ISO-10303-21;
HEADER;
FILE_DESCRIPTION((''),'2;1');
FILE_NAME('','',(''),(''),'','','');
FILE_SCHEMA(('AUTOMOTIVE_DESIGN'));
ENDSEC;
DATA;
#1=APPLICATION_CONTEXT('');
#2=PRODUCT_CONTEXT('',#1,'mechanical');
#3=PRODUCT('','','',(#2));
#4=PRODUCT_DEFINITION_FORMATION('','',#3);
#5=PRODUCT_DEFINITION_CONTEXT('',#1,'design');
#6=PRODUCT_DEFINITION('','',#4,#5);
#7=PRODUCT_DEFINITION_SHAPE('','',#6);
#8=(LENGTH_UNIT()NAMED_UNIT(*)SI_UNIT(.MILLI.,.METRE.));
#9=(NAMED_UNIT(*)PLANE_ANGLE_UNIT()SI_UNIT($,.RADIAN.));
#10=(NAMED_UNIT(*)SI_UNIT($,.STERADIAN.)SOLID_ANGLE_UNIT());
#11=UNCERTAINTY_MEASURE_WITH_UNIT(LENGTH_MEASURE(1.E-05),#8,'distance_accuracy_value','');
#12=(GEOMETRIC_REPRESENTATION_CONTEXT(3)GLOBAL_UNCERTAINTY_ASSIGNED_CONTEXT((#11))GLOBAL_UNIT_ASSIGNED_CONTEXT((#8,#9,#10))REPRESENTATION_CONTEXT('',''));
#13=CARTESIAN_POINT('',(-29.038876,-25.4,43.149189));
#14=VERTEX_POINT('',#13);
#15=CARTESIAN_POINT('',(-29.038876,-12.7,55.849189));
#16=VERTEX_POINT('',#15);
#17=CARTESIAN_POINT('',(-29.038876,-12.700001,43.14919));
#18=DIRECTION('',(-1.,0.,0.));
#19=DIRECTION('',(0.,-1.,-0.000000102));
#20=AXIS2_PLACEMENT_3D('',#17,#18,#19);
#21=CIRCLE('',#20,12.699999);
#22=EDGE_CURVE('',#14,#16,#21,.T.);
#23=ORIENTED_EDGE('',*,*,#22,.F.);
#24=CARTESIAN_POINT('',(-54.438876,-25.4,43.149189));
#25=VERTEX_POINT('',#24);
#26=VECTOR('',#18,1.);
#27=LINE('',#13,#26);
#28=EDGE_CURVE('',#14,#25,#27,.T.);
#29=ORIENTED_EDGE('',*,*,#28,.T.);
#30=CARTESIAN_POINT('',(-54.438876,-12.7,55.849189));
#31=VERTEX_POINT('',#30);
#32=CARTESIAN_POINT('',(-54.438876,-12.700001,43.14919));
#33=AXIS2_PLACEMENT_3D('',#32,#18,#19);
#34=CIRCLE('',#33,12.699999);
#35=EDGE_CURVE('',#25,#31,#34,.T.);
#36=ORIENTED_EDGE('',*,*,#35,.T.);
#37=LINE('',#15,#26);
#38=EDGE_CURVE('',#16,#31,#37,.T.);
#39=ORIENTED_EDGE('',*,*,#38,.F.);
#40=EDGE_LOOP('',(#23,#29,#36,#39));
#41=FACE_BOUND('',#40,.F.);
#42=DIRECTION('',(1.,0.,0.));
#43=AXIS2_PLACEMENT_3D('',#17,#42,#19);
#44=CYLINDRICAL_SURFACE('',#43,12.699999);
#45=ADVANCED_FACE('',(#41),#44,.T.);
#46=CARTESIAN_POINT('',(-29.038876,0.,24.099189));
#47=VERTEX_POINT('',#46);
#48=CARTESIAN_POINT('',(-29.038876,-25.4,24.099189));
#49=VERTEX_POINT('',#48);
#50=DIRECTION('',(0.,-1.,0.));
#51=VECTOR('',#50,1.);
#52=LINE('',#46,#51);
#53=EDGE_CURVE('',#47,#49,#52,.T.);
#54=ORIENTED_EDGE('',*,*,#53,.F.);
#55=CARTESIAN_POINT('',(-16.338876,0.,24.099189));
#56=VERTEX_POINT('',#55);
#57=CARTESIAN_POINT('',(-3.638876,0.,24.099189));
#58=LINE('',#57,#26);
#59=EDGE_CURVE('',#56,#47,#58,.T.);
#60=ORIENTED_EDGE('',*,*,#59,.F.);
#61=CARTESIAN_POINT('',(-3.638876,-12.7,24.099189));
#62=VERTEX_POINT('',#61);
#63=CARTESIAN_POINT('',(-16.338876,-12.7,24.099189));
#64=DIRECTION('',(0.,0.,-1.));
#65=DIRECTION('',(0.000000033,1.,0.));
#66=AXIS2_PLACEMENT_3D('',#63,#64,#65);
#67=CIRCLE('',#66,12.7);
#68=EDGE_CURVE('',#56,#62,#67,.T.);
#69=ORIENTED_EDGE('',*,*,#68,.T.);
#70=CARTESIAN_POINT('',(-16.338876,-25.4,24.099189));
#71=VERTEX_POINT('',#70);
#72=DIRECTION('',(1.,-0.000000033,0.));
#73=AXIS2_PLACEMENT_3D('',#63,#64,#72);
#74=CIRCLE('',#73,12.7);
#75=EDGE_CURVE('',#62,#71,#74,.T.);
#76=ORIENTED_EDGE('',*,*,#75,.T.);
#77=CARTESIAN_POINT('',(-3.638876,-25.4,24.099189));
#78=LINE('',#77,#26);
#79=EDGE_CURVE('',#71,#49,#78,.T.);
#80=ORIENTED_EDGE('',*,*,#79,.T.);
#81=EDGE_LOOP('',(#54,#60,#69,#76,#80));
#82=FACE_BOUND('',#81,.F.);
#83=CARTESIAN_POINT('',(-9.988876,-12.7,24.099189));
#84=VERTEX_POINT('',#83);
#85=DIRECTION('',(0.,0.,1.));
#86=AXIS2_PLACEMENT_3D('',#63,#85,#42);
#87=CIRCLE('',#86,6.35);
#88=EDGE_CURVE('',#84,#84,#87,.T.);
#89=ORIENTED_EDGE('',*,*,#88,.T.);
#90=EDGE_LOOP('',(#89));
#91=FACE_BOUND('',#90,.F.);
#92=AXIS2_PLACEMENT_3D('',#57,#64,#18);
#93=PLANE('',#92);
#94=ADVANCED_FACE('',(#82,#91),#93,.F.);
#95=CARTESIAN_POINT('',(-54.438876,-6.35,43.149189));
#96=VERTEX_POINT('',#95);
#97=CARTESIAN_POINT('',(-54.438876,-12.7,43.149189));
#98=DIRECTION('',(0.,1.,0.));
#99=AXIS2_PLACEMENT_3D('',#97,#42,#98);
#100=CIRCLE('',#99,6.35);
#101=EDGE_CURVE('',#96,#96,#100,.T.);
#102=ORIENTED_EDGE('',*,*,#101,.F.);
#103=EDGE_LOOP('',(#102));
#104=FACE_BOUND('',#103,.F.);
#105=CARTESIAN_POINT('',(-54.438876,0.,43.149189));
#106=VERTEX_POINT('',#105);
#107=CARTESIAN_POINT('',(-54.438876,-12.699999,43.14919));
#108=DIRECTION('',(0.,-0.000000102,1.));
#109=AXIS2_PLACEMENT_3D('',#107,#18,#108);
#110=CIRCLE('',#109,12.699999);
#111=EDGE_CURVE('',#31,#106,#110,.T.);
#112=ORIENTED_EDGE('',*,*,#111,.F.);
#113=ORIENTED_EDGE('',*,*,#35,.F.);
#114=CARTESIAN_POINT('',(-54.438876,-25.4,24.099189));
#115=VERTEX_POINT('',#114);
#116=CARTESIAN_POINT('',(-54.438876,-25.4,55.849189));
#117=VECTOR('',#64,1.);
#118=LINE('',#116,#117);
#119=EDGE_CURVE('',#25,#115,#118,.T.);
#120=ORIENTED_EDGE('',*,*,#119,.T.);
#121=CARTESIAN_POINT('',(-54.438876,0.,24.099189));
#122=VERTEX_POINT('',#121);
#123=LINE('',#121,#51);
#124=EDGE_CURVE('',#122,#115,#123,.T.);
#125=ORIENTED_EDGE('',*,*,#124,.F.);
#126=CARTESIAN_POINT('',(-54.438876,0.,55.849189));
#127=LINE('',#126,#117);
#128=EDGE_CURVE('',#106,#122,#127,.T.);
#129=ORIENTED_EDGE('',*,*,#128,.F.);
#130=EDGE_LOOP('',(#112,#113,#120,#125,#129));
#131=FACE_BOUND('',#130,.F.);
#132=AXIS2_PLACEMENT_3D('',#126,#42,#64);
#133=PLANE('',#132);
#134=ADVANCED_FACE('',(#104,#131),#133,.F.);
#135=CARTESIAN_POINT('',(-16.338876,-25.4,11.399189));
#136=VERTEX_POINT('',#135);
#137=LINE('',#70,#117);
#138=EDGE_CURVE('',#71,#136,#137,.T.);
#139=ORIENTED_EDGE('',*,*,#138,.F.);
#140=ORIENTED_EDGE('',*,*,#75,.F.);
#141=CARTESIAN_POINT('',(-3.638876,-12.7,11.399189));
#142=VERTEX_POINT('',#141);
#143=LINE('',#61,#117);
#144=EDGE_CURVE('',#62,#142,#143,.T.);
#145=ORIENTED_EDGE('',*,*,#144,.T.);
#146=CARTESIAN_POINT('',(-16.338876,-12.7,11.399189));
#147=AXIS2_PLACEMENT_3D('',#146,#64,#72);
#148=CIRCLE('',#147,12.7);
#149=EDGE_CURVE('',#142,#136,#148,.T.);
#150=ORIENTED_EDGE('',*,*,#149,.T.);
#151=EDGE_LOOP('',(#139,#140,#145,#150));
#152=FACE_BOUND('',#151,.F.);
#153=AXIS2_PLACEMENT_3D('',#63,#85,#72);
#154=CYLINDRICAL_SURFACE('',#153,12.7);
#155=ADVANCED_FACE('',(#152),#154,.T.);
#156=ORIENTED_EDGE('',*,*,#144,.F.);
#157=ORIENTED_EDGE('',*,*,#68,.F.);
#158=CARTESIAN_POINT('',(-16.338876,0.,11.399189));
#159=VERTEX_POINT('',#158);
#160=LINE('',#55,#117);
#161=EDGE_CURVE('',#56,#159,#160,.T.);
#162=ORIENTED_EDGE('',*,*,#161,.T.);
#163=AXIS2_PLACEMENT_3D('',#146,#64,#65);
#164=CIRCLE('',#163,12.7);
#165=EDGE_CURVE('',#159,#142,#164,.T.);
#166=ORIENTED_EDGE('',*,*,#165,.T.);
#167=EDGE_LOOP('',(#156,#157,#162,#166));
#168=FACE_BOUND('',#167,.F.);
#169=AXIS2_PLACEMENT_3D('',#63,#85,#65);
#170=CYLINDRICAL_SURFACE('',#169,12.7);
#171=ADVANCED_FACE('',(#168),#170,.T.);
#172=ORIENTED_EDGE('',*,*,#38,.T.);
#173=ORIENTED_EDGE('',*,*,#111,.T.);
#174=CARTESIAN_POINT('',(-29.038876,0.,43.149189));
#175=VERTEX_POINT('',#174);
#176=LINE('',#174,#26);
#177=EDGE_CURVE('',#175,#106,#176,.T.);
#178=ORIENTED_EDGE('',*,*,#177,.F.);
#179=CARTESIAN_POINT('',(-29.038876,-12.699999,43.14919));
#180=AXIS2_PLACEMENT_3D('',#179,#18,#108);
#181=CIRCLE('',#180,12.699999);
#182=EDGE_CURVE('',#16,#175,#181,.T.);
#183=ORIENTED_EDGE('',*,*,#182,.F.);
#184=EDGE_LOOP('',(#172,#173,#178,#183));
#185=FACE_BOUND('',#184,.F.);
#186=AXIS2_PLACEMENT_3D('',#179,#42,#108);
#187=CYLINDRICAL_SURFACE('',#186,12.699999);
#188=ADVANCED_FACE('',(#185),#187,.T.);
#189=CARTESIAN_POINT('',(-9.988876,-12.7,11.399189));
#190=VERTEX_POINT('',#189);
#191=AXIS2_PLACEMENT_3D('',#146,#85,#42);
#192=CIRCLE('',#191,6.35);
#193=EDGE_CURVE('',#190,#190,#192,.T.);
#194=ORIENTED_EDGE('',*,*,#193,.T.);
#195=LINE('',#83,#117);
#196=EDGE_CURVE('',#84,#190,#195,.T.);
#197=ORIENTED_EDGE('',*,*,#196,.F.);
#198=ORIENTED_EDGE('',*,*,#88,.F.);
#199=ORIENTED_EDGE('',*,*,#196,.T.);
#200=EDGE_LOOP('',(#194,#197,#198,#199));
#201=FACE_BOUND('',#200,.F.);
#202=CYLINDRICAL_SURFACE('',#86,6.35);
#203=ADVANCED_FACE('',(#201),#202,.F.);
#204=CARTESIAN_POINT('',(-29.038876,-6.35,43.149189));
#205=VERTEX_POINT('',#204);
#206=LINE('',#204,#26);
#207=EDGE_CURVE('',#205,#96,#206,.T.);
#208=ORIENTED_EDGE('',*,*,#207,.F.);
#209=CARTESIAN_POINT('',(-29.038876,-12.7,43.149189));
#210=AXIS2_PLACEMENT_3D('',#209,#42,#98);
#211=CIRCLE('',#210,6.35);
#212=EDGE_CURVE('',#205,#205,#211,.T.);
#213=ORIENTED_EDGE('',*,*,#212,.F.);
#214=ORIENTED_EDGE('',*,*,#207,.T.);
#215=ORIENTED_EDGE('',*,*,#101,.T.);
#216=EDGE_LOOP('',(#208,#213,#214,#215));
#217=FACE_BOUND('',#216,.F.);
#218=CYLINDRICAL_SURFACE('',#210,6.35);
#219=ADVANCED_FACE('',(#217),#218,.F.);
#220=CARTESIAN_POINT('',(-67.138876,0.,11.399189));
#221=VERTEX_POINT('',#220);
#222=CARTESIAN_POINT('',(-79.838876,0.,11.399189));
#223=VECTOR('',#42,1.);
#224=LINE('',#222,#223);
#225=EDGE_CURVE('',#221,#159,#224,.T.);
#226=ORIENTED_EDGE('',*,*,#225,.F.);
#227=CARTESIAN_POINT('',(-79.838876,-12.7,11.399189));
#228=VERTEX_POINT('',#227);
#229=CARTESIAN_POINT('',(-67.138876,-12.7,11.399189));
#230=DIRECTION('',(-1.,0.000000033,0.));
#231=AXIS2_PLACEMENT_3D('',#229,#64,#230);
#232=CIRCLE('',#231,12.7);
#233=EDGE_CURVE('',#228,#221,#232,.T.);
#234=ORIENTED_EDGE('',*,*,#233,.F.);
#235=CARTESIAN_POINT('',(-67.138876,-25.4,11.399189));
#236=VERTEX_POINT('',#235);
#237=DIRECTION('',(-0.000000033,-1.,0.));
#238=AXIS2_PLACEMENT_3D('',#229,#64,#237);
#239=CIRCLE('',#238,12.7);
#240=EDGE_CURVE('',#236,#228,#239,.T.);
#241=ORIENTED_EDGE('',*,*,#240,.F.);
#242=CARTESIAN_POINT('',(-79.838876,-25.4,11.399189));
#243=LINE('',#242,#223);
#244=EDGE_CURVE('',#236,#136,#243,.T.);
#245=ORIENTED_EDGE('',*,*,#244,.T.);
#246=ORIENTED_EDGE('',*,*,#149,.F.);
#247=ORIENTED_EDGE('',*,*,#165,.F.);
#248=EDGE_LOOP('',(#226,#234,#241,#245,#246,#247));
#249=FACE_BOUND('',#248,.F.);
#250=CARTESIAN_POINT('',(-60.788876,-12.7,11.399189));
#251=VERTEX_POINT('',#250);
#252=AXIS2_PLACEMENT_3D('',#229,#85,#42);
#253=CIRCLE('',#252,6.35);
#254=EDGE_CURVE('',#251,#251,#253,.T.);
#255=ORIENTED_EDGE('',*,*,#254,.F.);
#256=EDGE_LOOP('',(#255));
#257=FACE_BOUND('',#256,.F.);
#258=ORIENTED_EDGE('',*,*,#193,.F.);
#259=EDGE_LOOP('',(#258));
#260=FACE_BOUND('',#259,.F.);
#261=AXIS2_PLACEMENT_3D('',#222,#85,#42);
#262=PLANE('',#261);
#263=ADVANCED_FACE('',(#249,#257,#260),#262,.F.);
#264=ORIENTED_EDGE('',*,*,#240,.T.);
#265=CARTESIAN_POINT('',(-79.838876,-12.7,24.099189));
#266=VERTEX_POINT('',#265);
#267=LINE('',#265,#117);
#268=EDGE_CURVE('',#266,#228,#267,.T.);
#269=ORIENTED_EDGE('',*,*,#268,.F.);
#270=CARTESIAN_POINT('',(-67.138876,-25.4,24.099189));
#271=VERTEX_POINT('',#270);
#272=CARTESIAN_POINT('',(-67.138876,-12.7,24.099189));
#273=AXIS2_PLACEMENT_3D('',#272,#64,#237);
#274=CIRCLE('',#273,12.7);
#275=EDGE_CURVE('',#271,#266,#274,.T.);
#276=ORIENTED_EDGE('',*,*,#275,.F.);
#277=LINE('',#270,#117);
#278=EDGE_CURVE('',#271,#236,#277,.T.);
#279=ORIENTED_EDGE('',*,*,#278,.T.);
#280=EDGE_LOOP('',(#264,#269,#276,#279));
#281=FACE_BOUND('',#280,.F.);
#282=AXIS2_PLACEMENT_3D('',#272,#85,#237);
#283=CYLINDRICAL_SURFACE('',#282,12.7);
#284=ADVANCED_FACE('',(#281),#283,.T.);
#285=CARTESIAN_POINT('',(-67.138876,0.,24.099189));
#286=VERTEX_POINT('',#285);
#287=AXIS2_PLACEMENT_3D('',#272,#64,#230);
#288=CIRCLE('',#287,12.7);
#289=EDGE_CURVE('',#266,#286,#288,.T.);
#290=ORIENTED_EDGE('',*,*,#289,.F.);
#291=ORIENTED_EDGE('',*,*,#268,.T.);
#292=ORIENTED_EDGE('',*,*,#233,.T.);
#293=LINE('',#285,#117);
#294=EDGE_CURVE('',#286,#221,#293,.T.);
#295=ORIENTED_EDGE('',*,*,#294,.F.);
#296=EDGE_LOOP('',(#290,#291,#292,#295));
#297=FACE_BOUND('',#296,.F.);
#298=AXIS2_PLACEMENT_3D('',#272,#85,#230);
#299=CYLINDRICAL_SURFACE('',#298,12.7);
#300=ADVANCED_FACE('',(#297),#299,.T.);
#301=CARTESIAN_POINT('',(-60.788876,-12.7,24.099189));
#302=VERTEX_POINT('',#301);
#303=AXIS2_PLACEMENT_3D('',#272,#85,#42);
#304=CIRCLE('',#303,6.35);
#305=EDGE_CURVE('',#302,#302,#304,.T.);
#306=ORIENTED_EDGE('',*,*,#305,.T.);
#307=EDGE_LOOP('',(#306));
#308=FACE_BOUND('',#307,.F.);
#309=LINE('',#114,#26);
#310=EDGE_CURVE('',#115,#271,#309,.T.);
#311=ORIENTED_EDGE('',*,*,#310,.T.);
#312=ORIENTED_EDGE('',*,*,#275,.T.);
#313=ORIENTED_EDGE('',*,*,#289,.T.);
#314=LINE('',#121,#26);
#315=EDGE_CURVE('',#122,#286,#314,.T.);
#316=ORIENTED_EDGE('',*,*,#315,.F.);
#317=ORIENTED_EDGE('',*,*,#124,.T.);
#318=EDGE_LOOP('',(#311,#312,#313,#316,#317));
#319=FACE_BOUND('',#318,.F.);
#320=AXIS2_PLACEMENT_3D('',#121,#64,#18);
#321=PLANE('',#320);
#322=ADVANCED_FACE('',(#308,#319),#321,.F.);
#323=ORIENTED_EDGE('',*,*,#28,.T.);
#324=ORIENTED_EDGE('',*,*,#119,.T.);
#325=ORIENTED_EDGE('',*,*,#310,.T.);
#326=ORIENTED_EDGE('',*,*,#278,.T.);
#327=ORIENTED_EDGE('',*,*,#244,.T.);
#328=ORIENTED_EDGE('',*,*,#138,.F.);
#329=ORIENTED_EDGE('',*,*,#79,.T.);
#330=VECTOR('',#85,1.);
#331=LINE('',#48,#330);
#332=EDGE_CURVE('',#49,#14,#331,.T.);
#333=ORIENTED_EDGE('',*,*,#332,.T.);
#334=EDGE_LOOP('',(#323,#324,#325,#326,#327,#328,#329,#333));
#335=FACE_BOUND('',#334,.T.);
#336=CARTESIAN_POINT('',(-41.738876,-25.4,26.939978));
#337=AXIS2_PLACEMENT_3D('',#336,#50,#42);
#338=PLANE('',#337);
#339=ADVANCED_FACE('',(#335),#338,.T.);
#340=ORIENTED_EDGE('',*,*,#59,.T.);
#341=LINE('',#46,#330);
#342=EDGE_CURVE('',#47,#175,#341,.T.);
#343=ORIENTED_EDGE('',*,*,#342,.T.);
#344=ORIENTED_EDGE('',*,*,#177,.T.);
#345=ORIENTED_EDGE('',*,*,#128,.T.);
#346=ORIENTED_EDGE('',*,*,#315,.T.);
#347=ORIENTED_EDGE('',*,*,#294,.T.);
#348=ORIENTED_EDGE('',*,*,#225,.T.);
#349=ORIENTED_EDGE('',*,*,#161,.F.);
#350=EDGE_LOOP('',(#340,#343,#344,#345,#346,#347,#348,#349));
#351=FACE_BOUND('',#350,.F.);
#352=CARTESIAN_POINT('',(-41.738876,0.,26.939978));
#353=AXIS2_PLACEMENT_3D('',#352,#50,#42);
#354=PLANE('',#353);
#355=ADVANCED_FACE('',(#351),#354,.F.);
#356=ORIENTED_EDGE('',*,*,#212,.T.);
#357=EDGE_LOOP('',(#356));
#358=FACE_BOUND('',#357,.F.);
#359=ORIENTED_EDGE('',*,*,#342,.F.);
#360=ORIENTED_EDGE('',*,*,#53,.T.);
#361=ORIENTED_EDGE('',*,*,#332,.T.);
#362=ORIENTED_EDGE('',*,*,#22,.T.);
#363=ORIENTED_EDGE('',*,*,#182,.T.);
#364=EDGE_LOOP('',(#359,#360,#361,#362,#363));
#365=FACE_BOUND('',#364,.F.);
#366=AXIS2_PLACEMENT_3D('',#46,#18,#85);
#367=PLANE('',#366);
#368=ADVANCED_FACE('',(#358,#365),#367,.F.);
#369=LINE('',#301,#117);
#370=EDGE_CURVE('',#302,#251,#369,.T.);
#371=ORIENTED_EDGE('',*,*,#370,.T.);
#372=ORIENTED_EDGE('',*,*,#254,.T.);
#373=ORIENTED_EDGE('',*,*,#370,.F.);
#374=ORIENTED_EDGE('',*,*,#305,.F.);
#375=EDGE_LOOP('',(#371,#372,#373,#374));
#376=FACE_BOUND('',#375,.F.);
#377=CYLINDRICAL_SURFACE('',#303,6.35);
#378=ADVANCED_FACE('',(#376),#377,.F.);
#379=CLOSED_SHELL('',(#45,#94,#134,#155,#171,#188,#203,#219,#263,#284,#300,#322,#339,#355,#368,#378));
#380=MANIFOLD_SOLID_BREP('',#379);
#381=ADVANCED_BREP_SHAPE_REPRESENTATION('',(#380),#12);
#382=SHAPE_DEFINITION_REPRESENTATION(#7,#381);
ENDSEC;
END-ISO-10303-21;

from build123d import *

# Parameters (mm, degrees)
F1_DEPTH = 25.4
F2_R     = 6.35
F3_DEPTH = 25.4
F4_R     = 6.35
F5_R     = 6.35
F6_DEPTH = 12.7


with BuildPart() as f1:
    # F0 (on Front) → F1 (new body)
    with BuildSketch(Plane.XZ):
        Polygon((-29.038876, 55.849189), (-54.438876, 55.849189), (-54.438876, 24.099189), (-79.838876, 24.099189), (-79.838876, 11.399189), (-3.638876, 11.399189), (-3.638876, 24.099189), (-29.038876, 24.099189), align=None)
    extrude(amount=F1_DEPTH)

    # F2 (on face) → F3 (cut)
    with BuildSketch(Plane.YZ.offset(-29.038876)):
        with Locations((-12.7, 43.149189)):
            Circle(F2_R)
        with BuildLine():
            Line((-25.4, 55.849189), (-25.4, 43.149189))
            ThreePointArc((-25.4, 43.149189), (-21.680256, 52.129446), (-12.7, 55.849189))
            Line((-12.7, 55.849189), (-25.4, 55.849189))
        make_face()
        with BuildLine():
            Line((0, 55.849189), (-12.7, 55.849189))
            ThreePointArc((-12.7, 55.849189), (-3.719744, 52.129446), (0, 43.149189))
            Line((0, 43.149189), (0, 55.849189))
        make_face()
    extrude(amount=-F3_DEPTH, mode=Mode.SUBTRACT)

    # F4 (on face) + F5 (on face) → F6 (cut)
    with BuildSketch(Plane.XY.offset(24.099189)):
        with Locations((-16.338876, -12.7)):
            Circle(F4_R)
        with BuildLine():
            Line((-3.638876, -25.4), (-3.638876, -12.7))
            ThreePointArc((-3.638876, -12.7), (-7.35862, -21.680256), (-16.338876, -25.4))
            Line((-16.338876, -25.4), (-3.638876, -25.4))
        make_face()
        with BuildLine():
            Line((-3.638876, 0), (-16.338876, 0))
            ThreePointArc((-16.338876, 0), (-7.35862, -3.719744), (-3.638876, -12.7))
            Line((-3.638876, -12.7), (-3.638876, 0))
        make_face()
    with BuildSketch(Plane.XY.offset(24.099189)):
        with BuildLine():
            ThreePointArc((-67.138876, -25.4), (-76.119132, -21.680256), (-79.838876, -12.7))
            Line((-79.838876, -12.7), (-79.838876, -25.4))
            Line((-79.838876, -25.4), (-67.138876, -25.4))
        make_face()
        with BuildLine():
            ThreePointArc((-79.838876, -12.7), (-76.119132, -3.719744), (-67.138876, 0))
            Line((-67.138876, 0), (-79.838876, 0))
            Line((-79.838876, 0), (-79.838876, -12.7))
        make_face()
        with Locations((-67.138876, -12.7)):
            Circle(F5_R)
    extrude(amount=-F6_DEPTH, mode=Mode.SUBTRACT)


solid = f1.part
